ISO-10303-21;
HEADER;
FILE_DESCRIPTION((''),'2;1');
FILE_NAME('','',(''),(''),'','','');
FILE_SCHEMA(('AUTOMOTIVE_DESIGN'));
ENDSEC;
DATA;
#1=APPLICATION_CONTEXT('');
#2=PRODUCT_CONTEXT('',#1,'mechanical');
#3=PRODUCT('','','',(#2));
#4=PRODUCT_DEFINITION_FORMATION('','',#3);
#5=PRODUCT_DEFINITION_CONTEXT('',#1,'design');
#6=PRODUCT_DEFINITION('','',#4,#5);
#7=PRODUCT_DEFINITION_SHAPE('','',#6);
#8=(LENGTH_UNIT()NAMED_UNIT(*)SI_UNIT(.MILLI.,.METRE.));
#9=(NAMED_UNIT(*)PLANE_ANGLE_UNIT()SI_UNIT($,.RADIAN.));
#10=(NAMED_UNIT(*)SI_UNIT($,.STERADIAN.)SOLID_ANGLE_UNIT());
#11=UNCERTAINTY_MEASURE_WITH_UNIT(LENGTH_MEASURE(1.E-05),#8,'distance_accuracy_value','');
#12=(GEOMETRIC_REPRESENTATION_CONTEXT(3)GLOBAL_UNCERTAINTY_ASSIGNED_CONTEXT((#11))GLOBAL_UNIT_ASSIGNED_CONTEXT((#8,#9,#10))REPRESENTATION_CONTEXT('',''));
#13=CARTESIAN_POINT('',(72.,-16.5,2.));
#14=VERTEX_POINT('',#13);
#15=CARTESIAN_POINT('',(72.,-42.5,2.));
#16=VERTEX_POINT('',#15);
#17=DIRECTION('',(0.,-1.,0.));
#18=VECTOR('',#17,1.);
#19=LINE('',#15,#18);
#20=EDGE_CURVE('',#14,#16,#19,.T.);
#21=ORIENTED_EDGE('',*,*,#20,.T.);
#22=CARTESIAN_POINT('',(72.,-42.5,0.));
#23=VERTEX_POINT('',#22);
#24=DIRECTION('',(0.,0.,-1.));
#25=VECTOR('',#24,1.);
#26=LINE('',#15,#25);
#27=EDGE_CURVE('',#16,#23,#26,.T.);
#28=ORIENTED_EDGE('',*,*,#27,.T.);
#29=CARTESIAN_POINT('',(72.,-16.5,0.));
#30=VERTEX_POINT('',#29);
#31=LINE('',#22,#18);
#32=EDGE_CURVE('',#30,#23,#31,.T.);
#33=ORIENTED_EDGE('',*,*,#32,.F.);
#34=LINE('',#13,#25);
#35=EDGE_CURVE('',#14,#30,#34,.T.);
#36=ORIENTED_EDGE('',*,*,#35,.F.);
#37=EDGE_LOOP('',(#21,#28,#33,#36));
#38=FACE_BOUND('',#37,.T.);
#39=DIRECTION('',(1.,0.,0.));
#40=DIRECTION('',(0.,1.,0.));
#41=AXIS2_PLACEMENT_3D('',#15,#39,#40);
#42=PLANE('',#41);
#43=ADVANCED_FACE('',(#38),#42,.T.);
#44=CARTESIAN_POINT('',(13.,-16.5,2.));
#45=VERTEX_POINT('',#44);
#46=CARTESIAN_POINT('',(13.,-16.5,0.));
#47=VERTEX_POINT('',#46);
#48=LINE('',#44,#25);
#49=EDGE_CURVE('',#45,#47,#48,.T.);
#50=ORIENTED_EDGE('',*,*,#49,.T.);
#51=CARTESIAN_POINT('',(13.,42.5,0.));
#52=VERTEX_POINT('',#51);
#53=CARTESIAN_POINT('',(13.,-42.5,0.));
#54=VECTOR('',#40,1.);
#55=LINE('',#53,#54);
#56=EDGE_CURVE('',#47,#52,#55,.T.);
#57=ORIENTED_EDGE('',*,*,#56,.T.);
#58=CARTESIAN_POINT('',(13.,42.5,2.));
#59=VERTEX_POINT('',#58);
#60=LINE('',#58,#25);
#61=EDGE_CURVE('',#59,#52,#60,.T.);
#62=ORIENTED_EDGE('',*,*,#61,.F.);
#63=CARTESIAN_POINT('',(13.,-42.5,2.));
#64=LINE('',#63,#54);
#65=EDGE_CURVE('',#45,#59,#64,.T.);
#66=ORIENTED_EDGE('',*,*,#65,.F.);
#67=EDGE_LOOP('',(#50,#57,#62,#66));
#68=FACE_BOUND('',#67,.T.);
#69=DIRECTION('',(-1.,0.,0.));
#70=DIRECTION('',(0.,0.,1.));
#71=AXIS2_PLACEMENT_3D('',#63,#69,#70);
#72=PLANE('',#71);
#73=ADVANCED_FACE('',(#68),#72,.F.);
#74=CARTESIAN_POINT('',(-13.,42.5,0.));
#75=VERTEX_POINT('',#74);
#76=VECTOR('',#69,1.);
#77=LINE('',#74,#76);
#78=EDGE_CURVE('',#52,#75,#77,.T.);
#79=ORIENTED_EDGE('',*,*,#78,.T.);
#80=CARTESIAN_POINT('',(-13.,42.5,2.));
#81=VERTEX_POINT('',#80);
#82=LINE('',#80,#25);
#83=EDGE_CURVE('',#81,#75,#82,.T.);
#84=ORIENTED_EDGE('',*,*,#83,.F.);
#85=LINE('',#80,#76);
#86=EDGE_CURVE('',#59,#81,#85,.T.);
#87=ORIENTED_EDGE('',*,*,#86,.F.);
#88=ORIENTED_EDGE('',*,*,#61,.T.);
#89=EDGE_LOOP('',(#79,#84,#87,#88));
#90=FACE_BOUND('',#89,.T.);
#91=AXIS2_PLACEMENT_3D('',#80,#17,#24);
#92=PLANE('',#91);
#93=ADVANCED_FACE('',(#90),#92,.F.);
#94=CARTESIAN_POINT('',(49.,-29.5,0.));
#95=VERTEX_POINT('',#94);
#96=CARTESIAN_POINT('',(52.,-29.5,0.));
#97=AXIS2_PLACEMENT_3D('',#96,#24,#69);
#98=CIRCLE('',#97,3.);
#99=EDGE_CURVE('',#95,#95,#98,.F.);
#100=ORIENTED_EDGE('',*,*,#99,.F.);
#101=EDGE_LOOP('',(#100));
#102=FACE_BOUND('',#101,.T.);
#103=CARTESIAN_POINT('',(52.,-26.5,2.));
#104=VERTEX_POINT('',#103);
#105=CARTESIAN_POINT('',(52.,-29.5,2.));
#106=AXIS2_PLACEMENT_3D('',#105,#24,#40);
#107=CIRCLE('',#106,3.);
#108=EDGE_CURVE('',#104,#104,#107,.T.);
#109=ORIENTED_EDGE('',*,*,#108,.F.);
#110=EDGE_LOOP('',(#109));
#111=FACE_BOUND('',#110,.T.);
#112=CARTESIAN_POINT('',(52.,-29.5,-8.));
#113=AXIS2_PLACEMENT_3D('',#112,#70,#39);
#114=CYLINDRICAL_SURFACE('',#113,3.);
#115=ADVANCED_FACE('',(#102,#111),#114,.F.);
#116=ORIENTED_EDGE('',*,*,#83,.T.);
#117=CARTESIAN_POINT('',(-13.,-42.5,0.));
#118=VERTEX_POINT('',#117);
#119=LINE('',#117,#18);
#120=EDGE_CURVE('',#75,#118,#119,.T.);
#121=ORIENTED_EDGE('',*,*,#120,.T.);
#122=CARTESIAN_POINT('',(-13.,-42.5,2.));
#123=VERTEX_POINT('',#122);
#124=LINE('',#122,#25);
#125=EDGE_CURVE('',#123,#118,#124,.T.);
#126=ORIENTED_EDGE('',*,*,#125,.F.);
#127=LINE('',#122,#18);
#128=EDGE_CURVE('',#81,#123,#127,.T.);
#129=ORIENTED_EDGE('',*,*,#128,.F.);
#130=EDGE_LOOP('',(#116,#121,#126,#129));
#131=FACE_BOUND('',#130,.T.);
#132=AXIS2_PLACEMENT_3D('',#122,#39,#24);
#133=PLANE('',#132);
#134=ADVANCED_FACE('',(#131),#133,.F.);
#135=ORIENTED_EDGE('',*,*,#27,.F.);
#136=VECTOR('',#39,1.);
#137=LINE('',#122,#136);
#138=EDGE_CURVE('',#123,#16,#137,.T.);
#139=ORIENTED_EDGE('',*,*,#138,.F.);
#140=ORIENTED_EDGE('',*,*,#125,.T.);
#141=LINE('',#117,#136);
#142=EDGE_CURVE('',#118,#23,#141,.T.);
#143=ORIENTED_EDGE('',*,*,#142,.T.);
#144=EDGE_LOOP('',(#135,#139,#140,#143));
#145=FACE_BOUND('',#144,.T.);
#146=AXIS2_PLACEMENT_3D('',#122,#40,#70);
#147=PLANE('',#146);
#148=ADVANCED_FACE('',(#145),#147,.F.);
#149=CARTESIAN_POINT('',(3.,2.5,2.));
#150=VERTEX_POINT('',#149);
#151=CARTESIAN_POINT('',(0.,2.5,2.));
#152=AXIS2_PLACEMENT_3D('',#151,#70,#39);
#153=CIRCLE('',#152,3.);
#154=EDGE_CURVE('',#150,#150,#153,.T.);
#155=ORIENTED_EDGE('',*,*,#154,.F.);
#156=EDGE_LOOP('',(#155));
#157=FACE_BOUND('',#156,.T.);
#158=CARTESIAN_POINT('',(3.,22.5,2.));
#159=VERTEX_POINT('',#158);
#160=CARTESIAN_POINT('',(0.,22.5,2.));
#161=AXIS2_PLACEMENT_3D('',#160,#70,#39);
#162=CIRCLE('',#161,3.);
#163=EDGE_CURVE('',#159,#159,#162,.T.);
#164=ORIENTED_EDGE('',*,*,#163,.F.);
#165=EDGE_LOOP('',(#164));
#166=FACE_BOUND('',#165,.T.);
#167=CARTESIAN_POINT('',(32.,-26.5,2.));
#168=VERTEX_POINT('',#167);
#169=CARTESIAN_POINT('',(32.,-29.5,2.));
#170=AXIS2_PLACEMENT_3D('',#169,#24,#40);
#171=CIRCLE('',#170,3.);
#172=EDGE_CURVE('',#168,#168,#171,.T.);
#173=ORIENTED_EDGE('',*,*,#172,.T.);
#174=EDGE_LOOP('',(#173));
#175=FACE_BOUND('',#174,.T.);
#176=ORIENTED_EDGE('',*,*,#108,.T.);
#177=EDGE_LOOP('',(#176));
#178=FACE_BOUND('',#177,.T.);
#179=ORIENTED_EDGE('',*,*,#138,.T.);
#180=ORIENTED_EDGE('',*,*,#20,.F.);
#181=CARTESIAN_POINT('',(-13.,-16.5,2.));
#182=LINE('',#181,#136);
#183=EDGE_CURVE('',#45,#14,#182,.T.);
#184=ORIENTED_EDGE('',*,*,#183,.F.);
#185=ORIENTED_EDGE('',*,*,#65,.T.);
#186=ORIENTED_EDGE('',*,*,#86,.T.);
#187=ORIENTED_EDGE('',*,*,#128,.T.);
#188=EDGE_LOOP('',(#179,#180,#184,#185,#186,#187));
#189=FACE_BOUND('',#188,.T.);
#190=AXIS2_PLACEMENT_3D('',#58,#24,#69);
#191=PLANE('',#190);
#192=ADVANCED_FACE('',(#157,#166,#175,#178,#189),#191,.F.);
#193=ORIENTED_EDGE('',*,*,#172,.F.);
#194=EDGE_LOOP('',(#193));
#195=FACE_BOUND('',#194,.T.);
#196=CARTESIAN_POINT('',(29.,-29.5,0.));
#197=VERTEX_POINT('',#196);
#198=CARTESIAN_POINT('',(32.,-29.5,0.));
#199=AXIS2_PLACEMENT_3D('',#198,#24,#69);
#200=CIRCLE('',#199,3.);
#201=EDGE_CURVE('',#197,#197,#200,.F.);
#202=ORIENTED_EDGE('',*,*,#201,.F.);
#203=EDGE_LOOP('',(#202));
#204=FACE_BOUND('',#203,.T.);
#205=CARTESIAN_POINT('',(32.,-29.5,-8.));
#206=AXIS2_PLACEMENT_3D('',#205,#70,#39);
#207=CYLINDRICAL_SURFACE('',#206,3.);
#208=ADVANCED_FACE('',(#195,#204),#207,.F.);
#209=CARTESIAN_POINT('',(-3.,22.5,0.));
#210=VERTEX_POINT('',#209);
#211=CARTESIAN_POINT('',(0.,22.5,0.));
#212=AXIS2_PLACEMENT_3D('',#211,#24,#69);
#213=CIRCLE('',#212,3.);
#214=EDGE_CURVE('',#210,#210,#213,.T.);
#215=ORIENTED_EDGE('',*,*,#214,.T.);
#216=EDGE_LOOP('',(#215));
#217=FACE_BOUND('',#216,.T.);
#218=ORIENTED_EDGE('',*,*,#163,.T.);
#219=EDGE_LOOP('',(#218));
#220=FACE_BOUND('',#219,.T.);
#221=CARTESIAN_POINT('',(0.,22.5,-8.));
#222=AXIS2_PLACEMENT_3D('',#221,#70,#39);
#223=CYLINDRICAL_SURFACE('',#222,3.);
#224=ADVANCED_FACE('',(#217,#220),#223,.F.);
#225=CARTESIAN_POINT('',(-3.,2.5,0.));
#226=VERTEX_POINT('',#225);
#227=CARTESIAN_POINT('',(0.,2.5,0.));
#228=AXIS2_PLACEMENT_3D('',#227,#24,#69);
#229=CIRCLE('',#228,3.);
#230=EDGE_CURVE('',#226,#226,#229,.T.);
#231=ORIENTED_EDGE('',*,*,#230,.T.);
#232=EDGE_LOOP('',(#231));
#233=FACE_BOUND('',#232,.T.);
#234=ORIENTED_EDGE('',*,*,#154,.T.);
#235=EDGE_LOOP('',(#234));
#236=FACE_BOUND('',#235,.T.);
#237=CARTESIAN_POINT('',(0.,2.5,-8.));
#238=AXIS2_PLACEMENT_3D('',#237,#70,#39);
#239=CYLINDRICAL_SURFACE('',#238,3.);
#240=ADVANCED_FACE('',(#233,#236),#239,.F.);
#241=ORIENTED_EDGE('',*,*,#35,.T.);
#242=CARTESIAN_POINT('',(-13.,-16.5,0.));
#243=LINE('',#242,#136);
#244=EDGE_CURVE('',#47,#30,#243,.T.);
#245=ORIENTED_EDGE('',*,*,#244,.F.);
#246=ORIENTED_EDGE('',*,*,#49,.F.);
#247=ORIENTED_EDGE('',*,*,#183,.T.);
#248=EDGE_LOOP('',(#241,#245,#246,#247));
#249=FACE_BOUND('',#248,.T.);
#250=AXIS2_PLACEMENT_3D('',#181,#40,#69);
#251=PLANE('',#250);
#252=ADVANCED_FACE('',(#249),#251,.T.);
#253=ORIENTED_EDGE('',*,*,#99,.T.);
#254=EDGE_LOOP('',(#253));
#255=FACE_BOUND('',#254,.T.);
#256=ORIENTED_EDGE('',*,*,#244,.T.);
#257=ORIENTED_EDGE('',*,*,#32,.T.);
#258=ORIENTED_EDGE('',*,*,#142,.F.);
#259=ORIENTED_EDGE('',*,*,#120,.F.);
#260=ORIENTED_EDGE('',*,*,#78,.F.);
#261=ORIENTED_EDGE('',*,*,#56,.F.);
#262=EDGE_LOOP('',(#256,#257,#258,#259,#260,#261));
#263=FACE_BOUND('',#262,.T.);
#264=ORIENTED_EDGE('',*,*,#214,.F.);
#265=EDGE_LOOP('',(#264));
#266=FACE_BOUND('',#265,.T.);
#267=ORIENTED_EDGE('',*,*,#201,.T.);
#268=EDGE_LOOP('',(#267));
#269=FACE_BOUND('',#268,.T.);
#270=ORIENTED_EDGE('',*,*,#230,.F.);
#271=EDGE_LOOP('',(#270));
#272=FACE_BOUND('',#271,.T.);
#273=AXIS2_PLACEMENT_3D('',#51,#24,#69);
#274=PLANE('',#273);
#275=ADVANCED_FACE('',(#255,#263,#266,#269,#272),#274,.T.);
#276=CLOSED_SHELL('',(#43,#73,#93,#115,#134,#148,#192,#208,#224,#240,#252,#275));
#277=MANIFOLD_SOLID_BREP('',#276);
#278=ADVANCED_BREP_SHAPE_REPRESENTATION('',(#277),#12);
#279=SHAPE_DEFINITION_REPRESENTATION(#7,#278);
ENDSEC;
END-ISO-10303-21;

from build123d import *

# Parameters (mm, degrees)
SKETCH_1_W          = 26
SKETCH_1_H          = 85
EXTRUDE_1_DEPTH     = 2
SKETCH_2_R          = 3
CUT_EXTRUDE_1_DEPTH = 10


with BuildPart() as part:
    # 草图1 → 凸台-拉伸1 (new body)
    with BuildSketch(Plane.XY):
        Rectangle(SKETCH_1_W, SKETCH_1_H)
    extrude_1 = extrude(amount=EXTRUDE_1_DEPTH)

    # 镜向1: 凸台-拉伸1 across plane
    add(extrude_1.mirror(Plane(origin=(14.75, -14.75, 0), x_dir=(0, 0, 1), z_dir=(0.7071067811865488, -0.7071067811865464, 0))))

    # 草图2 → 切除-拉伸1 (cut)
    with BuildSketch(Plane.XY.offset(2)):
        with Locations((0, 22.5)):
            Circle(SKETCH_2_R)
        with Locations((0, 2.5)):
            Circle(SKETCH_2_R)
    cut_extrude_1 = extrude(amount=-CUT_EXTRUDE_1_DEPTH, mode=Mode.SUBTRACT)

    # 镜向2: 切除-拉伸1 across plane
    add(cut_extrude_1.mirror(Plane(origin=(14.75, -14.75, 0), x_dir=(0, 0, 1), z_dir=(0.7071067811865479, -0.7071067811865471, 0))), mode=Mode.SUBTRACT)


solid = part.part
